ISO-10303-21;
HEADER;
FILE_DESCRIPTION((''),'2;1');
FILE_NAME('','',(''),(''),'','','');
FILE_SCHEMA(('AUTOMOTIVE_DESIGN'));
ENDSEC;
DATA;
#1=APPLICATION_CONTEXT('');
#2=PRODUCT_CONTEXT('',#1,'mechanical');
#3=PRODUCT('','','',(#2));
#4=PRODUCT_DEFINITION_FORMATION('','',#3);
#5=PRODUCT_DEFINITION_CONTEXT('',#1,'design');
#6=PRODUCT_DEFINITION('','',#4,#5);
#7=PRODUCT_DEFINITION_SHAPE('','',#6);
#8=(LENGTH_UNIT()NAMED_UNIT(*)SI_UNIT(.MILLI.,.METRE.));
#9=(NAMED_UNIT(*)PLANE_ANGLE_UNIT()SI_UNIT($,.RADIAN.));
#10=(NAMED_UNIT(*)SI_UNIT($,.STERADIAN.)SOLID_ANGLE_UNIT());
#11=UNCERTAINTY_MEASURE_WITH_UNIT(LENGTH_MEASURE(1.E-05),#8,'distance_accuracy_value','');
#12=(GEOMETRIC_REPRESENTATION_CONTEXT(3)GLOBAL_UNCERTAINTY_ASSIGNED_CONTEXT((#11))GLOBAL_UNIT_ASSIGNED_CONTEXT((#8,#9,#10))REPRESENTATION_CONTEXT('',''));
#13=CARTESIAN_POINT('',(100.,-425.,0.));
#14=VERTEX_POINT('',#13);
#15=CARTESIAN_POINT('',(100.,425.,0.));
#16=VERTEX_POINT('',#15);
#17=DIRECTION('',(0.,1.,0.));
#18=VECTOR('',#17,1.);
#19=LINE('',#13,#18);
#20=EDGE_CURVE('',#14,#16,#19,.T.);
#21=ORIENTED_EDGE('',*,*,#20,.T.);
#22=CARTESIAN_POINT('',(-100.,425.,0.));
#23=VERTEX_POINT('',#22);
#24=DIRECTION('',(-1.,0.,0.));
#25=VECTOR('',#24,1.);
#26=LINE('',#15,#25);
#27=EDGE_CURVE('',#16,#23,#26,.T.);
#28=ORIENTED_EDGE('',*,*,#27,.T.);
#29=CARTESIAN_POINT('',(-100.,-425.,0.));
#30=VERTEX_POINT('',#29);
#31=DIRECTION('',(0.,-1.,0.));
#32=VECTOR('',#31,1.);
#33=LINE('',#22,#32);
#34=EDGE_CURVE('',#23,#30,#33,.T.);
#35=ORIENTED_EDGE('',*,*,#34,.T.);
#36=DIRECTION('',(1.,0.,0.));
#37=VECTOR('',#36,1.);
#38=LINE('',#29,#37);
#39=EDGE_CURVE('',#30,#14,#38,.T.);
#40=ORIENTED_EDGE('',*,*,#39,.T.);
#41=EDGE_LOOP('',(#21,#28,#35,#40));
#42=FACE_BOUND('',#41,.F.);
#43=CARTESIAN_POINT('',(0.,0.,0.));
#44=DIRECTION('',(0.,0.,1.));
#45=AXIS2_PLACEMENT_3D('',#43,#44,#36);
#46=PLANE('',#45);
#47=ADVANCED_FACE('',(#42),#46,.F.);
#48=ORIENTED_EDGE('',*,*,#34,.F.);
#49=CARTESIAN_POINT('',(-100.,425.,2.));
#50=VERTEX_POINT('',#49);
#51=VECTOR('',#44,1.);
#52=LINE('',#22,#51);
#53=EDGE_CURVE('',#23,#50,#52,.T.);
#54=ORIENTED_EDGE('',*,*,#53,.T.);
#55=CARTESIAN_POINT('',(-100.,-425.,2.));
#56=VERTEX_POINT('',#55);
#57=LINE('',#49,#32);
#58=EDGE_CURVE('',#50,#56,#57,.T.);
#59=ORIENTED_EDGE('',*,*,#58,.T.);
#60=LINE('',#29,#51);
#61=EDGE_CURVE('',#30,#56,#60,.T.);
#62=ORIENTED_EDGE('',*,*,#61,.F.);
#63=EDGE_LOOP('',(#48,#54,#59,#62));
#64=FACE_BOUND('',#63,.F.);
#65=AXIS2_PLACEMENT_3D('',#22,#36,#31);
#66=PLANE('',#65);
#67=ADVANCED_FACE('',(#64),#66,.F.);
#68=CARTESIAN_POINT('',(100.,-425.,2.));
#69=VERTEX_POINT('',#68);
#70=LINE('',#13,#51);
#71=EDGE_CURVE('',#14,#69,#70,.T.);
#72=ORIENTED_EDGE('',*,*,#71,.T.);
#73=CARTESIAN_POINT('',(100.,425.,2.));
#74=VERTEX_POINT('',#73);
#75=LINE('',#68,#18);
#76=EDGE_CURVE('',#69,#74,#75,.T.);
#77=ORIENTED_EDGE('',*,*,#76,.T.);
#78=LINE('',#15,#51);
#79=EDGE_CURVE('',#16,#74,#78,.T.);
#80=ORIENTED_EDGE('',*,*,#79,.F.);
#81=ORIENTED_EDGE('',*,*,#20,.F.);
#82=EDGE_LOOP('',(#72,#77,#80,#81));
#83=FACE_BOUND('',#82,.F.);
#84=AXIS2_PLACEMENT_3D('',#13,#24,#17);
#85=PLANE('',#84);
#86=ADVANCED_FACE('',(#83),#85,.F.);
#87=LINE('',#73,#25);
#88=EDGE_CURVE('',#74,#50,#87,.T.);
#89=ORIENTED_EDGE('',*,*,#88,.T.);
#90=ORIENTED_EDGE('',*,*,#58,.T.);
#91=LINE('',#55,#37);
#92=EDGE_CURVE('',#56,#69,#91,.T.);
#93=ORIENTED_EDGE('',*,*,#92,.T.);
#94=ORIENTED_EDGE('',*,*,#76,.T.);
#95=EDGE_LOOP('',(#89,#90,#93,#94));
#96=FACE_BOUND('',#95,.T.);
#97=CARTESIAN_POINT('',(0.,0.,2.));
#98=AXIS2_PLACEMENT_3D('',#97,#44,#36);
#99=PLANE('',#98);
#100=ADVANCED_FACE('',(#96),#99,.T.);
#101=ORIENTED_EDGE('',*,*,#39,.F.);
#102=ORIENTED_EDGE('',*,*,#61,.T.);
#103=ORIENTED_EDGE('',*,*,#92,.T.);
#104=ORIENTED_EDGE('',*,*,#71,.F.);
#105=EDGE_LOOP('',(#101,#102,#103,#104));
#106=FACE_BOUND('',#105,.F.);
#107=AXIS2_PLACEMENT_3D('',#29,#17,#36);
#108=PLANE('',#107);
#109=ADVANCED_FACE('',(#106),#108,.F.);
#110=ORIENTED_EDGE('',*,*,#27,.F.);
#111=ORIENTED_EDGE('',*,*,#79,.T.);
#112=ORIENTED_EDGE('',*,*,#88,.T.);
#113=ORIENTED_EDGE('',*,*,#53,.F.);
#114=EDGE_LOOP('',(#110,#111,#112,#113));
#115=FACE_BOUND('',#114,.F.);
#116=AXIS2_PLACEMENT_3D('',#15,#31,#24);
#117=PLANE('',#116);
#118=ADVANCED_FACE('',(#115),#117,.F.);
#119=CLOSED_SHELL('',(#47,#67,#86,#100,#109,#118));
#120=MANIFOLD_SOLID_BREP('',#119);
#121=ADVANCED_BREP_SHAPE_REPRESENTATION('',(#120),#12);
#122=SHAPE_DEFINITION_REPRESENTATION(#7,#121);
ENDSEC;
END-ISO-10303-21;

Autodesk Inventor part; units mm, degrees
ref_plane "YZ Plane" through (0, 0, 0) normal (1, 0, 0) x (0, 1, 0)
ref_plane "XZ Plane" through (0, 0, 0) normal (0, 1, 0) x (-1, 0, 0)
ref_plane "XY Plane" through (0, 0, 0) normal (0, 0, 1) x (1, 0, 0)
sketch "Эскиз5" plane through (0, 0, 0) normal (0, 0, 1) x (1, 0, 0)
  line L0 (-100, -425) -> (100, -425)
  line L1 (100, -425) -> (100, 425)
  line L2 (100, 425) -> (-100, 425)
  line L3 (-100, 425) -> (-100, -425)
  line L4 (-100, -425) -> (100, 425) construction
  line L5 (100, -425) -> (-100, 425) construction
  point P0 (0, 0)
  dimension "d64" = 200
  dimension "d65" = 850
extrude "Пластина2" add sketch "Эскиз5" along normal blind 2
equation "\"Ширина_просечки\" = Толщина"
equation "\"Глубина_просечки\" = 0.5 * Толщина"
equation "\"Размер_высечки\" = 4 * Толщина"
equation "\"Минимальный_остаток\" = 2 * Толщина"
equation "\"Радиус_перехода\" = Радиус_гибки"
equation "\"Радиус_Якоби\" = Радиус_гибки"
equation "\"Размер_зазора\" = Толщина"
equation "\"d2\" = Радиус_гибки"
equation "\"d66\" = Радиус_гибки"
equation "\"Толщина\" = 2"
equation "\"Радиус_гибки\" = 1.6"
properties material "Сталь"
